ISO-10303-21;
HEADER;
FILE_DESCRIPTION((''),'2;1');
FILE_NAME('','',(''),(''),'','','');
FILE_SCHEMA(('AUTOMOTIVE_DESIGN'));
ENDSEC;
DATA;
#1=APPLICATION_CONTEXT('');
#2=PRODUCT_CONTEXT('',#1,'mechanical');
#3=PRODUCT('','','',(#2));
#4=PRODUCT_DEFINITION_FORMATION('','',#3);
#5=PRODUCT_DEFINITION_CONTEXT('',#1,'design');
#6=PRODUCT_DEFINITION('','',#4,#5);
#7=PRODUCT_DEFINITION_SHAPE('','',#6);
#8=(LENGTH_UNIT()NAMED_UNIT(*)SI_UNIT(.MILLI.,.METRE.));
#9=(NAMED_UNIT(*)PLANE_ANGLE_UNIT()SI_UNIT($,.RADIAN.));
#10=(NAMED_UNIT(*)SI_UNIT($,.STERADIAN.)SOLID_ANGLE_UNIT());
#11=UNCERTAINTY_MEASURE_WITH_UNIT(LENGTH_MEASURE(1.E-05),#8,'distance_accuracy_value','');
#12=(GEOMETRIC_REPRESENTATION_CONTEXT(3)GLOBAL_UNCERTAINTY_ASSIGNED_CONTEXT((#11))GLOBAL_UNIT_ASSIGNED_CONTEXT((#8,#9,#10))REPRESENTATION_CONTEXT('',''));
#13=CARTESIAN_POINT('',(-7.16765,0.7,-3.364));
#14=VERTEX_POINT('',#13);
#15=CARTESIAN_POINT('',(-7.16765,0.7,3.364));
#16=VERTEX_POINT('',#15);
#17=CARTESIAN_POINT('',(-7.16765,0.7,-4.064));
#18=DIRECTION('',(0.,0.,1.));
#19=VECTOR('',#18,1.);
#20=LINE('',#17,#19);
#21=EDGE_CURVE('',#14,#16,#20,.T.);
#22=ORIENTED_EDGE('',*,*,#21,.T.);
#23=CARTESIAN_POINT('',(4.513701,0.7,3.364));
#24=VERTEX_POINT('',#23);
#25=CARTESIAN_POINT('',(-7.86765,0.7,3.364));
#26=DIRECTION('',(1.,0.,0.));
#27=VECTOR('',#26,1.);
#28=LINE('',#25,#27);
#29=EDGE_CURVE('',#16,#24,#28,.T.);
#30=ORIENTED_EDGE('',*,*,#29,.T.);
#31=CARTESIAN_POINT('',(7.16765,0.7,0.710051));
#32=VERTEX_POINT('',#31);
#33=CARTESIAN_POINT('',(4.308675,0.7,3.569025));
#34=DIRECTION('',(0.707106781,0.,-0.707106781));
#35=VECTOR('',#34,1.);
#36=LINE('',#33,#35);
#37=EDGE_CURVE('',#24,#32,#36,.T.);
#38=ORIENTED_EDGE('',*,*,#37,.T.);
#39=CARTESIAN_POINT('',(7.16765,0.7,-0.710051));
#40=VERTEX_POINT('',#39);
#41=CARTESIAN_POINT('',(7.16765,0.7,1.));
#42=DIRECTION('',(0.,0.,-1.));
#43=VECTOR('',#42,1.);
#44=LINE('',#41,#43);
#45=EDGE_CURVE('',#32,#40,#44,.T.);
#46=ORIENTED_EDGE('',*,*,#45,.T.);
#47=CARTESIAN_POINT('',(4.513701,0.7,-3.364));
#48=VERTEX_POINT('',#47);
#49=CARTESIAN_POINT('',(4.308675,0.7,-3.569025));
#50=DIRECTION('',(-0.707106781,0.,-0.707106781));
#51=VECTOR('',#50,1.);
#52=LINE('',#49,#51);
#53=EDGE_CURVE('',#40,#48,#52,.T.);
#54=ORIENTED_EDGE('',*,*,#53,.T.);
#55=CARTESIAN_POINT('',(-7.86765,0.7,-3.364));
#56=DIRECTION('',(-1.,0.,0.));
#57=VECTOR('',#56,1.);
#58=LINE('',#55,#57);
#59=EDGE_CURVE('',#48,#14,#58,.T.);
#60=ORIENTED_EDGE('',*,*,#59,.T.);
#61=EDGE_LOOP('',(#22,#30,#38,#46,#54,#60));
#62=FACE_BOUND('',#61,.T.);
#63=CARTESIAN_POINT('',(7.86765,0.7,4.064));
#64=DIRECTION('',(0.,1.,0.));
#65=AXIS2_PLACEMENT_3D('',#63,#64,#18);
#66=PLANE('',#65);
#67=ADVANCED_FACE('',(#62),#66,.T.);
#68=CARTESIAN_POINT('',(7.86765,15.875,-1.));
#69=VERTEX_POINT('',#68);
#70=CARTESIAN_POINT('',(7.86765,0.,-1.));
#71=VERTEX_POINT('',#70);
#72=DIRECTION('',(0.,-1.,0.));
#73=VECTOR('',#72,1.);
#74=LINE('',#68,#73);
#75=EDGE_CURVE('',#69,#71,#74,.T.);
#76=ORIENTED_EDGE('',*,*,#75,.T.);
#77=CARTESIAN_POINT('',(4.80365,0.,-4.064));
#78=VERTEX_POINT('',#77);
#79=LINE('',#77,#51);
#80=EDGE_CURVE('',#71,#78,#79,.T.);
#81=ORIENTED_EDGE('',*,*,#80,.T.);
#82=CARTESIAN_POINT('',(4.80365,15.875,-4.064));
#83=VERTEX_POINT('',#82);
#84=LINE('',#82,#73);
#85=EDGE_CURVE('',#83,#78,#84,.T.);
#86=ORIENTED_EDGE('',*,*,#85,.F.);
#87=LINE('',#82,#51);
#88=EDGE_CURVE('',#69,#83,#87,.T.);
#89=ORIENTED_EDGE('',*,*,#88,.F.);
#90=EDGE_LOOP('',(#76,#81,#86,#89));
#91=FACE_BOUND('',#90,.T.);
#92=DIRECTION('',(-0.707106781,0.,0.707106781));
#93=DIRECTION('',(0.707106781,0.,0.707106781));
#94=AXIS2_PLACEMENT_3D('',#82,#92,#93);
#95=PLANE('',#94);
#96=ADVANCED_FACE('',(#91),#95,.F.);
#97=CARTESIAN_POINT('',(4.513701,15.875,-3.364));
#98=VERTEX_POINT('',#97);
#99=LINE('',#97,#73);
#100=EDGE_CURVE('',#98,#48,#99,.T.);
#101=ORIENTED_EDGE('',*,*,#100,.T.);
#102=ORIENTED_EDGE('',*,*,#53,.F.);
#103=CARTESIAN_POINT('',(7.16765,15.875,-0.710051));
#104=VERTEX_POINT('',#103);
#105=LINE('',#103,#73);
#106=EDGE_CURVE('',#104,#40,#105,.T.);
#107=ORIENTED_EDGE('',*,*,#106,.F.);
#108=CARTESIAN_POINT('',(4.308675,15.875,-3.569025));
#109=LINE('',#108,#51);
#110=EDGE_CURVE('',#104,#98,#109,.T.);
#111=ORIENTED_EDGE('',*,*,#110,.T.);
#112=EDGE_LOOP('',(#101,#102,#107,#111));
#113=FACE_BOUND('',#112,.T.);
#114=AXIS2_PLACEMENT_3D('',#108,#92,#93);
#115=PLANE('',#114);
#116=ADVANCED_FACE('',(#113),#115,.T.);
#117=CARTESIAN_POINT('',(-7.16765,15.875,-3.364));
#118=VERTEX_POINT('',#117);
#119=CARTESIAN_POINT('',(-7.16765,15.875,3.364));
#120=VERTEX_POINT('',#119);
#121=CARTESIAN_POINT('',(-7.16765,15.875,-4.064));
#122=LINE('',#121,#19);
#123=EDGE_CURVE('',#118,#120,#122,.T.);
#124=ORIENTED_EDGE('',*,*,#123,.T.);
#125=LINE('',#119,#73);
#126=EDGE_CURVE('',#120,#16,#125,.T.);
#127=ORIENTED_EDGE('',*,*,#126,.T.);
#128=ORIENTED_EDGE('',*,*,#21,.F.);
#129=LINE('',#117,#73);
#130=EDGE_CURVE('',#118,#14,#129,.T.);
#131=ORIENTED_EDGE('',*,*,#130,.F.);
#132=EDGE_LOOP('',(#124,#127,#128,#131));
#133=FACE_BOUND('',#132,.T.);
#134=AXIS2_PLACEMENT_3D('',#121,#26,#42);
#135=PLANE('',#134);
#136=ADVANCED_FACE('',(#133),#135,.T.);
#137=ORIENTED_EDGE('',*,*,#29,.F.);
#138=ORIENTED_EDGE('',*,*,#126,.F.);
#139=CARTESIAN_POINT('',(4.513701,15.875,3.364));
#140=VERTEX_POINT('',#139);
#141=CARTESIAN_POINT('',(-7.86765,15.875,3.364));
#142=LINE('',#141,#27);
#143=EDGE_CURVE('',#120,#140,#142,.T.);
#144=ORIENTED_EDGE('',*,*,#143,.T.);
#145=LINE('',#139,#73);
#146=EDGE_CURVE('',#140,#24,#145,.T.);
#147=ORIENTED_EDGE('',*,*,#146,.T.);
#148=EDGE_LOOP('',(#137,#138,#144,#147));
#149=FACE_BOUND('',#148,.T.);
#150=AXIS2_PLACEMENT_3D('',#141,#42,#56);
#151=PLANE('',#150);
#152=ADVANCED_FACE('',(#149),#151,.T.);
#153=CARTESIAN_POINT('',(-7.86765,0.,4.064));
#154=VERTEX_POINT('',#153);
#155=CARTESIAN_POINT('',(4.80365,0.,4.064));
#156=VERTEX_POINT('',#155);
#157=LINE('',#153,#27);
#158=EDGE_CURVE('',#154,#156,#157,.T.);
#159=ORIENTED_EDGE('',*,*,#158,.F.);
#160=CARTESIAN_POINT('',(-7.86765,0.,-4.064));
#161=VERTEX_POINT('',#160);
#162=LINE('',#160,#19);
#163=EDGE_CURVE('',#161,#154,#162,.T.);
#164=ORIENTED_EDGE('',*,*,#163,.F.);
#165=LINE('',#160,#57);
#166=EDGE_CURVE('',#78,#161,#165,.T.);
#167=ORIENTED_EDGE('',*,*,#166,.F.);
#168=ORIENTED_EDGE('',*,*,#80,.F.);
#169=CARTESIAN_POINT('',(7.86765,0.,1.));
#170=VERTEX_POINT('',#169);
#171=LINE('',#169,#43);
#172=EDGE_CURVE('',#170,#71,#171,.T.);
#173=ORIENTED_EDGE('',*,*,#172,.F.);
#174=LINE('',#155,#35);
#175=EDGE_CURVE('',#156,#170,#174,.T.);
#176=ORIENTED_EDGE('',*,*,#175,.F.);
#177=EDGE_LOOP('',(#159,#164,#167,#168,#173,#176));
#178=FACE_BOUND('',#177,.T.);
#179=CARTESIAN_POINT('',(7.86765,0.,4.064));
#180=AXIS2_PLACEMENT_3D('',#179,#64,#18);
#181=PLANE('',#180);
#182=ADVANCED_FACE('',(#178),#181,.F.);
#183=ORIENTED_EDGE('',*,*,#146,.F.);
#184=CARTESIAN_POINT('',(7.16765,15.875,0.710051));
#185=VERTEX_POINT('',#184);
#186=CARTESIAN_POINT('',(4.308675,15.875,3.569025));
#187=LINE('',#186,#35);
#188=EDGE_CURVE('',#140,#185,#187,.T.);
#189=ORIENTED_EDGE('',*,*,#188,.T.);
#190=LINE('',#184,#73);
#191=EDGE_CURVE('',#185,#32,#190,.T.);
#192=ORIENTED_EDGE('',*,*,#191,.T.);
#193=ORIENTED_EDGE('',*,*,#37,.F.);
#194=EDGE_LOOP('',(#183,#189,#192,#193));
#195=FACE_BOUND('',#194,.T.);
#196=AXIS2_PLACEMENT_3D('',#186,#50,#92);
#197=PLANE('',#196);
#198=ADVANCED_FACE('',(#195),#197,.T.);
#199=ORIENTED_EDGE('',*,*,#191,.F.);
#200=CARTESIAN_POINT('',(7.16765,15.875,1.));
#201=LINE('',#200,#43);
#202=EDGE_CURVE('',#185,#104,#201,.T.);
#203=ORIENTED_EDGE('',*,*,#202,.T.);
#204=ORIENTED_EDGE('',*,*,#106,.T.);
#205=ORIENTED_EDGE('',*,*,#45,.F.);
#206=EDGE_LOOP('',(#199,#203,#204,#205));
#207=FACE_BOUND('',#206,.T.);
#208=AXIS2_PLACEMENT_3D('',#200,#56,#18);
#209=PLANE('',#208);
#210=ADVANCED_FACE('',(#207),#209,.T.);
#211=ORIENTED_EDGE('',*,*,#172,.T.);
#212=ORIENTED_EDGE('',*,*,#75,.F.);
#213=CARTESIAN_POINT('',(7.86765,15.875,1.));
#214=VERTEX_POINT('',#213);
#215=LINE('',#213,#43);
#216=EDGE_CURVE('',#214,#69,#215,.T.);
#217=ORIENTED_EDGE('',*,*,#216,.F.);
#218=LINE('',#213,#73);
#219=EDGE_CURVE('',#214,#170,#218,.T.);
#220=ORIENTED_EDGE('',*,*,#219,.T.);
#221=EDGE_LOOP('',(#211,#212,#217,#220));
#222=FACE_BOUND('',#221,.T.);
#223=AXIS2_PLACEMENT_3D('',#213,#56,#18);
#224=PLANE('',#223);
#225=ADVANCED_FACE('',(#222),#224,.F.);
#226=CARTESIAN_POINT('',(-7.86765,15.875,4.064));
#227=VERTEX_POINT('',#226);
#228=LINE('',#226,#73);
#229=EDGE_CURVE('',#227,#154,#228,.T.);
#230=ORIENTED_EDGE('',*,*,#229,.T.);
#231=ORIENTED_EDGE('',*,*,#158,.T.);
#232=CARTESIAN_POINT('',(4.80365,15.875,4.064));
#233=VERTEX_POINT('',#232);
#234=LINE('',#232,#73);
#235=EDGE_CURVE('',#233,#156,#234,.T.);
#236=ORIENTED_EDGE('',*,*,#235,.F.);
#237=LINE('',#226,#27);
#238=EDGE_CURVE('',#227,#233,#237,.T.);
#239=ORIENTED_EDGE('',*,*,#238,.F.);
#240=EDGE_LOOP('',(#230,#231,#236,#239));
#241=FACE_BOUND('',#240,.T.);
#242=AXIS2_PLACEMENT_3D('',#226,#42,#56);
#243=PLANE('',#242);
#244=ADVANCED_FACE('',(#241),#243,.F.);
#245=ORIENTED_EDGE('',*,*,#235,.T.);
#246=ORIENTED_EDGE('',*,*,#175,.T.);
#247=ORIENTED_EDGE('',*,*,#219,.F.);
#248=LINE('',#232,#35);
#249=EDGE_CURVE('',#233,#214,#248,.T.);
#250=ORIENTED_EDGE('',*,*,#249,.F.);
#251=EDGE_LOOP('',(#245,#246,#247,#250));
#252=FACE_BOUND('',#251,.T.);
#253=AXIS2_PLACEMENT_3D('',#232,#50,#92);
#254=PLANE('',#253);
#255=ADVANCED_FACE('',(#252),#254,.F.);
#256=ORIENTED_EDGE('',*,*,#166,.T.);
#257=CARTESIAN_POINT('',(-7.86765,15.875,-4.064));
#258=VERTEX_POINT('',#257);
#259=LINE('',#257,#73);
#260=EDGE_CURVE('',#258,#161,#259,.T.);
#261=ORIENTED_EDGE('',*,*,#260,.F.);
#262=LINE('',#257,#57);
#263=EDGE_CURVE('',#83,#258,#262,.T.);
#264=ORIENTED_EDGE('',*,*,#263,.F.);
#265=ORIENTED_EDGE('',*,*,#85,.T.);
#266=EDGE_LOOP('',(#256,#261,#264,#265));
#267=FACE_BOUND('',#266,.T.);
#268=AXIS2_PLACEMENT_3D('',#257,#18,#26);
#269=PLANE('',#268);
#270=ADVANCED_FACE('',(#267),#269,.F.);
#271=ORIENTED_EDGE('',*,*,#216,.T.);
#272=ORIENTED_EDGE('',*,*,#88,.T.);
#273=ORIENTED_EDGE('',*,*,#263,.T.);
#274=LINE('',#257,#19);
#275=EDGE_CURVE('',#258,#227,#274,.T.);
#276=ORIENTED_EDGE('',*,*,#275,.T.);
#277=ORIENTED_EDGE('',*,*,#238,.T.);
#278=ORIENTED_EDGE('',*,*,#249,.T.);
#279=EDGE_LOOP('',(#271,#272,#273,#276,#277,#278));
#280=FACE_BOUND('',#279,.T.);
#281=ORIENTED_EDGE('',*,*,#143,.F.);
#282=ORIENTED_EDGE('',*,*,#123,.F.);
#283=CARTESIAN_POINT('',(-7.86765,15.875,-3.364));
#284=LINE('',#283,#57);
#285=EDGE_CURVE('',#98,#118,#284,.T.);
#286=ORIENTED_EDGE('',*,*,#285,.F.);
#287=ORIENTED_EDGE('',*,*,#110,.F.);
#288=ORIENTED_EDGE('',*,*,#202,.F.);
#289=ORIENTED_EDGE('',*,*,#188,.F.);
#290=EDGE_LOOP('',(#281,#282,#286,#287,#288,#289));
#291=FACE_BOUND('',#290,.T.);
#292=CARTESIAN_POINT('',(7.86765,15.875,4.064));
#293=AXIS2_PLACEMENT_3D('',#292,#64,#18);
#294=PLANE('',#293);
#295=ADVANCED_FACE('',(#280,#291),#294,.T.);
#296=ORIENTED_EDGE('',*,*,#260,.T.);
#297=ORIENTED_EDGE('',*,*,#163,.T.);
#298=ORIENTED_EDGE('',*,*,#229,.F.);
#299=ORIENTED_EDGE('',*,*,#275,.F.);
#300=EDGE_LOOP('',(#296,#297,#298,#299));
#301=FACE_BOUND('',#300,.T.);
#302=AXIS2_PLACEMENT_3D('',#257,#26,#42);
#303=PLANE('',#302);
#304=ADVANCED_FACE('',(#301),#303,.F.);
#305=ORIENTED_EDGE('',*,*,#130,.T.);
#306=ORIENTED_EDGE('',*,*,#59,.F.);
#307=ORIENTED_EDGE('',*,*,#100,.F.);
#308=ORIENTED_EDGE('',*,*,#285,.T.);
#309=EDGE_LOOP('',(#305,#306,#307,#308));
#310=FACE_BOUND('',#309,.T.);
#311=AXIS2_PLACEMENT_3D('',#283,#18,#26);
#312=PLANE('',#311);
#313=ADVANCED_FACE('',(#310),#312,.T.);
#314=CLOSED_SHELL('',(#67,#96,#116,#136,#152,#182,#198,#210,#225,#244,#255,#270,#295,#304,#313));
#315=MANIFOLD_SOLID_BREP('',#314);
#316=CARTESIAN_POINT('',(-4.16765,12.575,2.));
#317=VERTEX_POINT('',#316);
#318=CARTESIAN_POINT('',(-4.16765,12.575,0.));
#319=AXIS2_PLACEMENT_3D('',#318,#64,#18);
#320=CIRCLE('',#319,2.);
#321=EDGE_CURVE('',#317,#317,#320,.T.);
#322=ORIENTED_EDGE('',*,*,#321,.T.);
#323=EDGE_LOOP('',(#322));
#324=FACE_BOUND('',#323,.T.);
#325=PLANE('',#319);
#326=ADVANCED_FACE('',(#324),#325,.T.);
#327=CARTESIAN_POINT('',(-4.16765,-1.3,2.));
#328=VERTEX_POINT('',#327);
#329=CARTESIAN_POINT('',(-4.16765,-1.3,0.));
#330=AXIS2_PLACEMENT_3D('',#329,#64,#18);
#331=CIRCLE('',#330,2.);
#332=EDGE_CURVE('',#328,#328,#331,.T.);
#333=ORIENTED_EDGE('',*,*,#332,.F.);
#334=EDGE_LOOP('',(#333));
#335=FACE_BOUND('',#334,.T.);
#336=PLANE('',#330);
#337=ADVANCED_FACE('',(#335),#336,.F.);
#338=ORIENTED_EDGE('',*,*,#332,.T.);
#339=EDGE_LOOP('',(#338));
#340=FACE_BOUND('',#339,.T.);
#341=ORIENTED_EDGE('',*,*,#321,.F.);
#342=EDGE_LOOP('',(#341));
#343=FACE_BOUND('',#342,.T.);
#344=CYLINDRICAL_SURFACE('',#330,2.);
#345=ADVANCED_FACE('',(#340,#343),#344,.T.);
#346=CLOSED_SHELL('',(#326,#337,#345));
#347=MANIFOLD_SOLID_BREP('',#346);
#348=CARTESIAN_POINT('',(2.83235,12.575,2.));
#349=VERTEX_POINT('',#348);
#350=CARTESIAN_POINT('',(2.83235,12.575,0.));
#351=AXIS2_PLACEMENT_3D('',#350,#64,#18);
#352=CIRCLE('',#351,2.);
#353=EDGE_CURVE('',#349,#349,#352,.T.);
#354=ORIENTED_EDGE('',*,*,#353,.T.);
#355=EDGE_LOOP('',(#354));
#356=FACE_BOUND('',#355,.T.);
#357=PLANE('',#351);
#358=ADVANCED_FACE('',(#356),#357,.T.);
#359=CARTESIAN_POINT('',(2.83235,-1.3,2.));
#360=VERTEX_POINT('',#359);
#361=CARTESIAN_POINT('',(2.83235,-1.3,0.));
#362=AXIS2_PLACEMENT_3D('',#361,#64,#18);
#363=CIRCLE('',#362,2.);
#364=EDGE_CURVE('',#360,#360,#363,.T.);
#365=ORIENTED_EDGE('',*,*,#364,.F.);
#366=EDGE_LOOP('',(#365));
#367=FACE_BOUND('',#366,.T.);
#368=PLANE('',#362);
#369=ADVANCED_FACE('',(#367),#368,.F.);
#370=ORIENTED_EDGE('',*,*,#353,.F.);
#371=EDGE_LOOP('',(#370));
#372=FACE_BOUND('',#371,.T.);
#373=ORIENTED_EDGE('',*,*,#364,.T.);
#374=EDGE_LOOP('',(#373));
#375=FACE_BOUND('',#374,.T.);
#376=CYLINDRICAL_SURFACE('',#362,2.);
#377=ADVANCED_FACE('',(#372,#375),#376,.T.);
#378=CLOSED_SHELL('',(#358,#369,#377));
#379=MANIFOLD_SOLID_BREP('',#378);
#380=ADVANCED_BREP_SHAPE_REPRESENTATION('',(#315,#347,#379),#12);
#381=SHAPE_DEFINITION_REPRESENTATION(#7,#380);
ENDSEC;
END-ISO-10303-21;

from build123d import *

# Parameters (mm, degrees)
P_IDAT_VYSUNUT_M1_DEPTH        = 15.875
SKO_EPINA1_T                   = -0.7
P_IDAT_VYSUNUT_M2_DEPTH        = 11.875
P_IDAT_VYSUNUT_M2_DEPTH_BACK   = 2
SKICA2_R                       = 2
P_IDAT_VYSUNUT_M2_2_DEPTH      = 11.875
P_IDAT_VYSUNUT_M2_2_DEPTH_BACK = 2


with BuildPart() as part:
    # Skica1 → Přidat vysunutím1 (new body)
    with BuildSketch(Plane(origin=(0, 0, 0), x_dir=(1, 0, 0), z_dir=(0, 1, 0))):
        Polygon((-7.86765, 4.064), (-7.86765, -4.064), (4.80365, -4.064), (7.86765, -1), (7.86765, 1), (4.80365, 4.064), align=None)
    extrude(amount=P_IDAT_VYSUNUT_M1_DEPTH)

    # Skořepina1
    sko_epina1_openings = [part.faces().sort_by_distance(p)[0] for p in [
        (-0.542357048, 15.875, 0),
    ]]
    offset(amount=SKO_EPINA1_T, openings=sko_epina1_openings, kind=Kind.INTERSECTION)


with BuildPart() as body_2:
    # Skica2 → Přidat vysunutím2 (new, two sides: drawn at the far end of the back side and taken through both)
    with BuildSketch(Plane(origin=(0, 0.7, 0), x_dir=(1, 0, 0), z_dir=(0, 1, 0)).offset(-P_IDAT_VYSUNUT_M2_DEPTH_BACK)):
        with Locations(Location((-4.16765, 0, 0), (0, 0, 270))):
            Circle(SKICA2_R)
    extrude(amount=P_IDAT_VYSUNUT_M2_DEPTH + P_IDAT_VYSUNUT_M2_DEPTH_BACK)


with BuildPart() as body_3:
    # Skica2 → P_idat vysunut_m2 2 (new, two sides: drawn at the far end of the back side and taken through both)
    with BuildSketch(Plane(origin=(0, 0.7, 0), x_dir=(1, 0, 0), z_dir=(0, 1, 0)).offset(-P_IDAT_VYSUNUT_M2_2_DEPTH_BACK)):
        with Locations(Location((2.83235, 0, 0), (0, 0, 270))):
            Circle(SKICA2_R)
    extrude(amount=P_IDAT_VYSUNUT_M2_2_DEPTH + P_IDAT_VYSUNUT_M2_2_DEPTH_BACK)


solid = Compound([part.part, body_2.part, body_3.part])
